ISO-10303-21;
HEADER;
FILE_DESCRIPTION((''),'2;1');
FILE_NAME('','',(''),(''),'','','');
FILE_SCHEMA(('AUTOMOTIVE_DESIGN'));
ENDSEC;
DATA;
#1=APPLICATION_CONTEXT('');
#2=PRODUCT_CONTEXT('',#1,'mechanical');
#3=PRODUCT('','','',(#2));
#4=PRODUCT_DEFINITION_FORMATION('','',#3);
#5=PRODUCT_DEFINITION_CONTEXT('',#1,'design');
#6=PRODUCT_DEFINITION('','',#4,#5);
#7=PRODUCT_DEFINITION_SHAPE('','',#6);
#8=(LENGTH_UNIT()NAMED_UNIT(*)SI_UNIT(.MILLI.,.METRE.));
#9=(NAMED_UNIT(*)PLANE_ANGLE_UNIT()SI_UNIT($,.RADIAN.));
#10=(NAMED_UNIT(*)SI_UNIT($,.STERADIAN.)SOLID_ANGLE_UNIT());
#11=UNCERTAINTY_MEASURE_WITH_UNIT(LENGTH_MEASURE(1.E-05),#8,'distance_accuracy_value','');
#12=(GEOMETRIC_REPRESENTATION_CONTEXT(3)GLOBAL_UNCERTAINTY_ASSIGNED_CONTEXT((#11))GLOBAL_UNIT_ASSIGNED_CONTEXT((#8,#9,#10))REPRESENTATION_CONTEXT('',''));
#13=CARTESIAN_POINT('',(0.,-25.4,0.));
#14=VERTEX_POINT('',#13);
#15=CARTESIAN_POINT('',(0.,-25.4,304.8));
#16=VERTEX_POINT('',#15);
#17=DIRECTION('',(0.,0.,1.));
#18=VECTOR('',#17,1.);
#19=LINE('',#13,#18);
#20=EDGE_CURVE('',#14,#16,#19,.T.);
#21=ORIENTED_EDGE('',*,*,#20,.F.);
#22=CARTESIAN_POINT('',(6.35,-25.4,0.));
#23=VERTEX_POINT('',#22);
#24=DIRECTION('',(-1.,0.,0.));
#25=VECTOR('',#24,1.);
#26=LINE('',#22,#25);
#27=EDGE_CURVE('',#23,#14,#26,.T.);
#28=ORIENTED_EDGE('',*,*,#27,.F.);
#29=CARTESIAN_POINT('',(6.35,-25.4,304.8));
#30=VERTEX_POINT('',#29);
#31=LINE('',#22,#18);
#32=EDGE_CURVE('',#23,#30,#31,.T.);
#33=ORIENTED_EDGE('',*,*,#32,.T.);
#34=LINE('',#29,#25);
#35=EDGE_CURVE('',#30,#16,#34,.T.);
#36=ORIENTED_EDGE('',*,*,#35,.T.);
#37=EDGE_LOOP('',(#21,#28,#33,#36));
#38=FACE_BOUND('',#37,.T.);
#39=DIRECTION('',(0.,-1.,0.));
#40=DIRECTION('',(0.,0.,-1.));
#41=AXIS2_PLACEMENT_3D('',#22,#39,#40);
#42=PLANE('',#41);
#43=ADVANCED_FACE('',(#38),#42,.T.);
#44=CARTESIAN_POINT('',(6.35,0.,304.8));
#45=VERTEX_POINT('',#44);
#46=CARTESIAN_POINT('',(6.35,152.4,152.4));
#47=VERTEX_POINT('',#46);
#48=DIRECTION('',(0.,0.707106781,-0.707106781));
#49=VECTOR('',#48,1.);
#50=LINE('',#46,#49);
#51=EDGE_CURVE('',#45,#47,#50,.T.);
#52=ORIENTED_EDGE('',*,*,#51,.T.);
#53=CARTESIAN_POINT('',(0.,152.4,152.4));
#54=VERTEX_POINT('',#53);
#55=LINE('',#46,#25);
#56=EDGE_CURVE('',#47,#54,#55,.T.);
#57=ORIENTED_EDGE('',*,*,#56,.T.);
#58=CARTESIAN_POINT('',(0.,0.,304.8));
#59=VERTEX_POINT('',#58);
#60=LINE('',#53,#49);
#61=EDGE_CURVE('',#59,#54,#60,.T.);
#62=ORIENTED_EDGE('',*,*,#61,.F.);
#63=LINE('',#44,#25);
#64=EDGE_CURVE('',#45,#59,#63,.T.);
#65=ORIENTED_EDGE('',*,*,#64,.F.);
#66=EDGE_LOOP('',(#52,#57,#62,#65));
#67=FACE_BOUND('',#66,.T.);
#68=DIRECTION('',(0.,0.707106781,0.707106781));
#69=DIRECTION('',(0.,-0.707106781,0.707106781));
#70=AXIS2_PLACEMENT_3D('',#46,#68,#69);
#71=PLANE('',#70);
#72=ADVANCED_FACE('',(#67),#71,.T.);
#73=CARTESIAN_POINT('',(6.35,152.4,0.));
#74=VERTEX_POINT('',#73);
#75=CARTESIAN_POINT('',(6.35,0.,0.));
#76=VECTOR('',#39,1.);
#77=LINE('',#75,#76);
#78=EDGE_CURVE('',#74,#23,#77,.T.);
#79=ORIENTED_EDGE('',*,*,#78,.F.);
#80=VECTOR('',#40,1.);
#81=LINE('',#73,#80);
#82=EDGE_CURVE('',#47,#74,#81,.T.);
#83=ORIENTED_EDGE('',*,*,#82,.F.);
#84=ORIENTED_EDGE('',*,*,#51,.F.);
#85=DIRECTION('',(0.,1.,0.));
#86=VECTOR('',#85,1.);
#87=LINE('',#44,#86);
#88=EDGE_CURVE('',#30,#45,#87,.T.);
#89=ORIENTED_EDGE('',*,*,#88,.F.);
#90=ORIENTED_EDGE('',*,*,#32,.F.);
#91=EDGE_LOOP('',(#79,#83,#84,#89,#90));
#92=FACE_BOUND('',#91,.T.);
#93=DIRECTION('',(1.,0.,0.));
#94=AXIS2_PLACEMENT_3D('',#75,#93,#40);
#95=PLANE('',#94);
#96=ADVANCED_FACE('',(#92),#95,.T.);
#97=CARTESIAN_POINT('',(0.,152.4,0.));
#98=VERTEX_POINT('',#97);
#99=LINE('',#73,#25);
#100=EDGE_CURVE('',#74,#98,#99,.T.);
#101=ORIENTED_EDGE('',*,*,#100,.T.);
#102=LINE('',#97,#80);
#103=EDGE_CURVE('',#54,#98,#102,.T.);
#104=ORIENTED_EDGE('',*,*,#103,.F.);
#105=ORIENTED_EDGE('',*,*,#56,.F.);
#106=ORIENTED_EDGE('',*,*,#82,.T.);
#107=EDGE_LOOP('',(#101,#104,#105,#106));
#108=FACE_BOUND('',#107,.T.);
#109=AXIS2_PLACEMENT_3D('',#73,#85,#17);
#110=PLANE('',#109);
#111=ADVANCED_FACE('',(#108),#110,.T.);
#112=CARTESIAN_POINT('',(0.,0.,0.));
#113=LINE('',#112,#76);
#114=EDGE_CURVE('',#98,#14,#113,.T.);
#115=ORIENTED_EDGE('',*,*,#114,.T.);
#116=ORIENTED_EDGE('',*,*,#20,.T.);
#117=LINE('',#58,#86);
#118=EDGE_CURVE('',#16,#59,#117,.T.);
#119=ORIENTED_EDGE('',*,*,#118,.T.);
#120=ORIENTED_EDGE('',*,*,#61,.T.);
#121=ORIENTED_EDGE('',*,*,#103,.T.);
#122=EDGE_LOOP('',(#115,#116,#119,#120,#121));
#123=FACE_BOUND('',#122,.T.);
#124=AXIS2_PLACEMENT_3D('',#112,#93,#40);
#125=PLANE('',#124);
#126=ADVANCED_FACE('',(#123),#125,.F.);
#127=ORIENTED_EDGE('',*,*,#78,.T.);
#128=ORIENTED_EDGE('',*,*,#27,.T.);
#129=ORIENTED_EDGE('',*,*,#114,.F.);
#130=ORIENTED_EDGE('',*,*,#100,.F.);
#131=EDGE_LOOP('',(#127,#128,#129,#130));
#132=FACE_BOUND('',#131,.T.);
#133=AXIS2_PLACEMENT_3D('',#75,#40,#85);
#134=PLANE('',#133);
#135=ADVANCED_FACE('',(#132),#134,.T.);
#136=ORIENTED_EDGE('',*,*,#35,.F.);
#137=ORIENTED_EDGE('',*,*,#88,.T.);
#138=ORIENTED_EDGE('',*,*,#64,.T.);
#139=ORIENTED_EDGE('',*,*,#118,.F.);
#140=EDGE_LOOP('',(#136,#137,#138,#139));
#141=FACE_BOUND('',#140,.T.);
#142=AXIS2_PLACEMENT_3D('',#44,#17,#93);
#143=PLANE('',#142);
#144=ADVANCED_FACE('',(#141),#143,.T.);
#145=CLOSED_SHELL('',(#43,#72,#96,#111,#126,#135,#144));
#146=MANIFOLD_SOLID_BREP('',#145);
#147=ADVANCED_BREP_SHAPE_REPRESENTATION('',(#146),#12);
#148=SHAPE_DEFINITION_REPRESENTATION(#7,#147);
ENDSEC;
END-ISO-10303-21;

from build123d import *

# Parameters (mm, degrees)
ESQUISSE2_W        = 304.8
ESQUISSE2_H        = 25.4
BOSS_EXTRU_1_DEPTH = 6.35


with BuildPart() as part:
    # Esquisse2 → Boss.-Extru.1 (new body)
    with BuildSketch(Plane(origin=(0, 0, 0), x_dir=(0, 0, -1), z_dir=(1, 0, 0))):
        Polygon((0, 152.4), (0, 0), (-304.8, 0), (-152.4, 152.4), align=None)
        with Locations((-152.4, -12.7)):
            Rectangle(ESQUISSE2_W, ESQUISSE2_H)
    extrude(amount=BOSS_EXTRU_1_DEPTH)


solid = part.part
